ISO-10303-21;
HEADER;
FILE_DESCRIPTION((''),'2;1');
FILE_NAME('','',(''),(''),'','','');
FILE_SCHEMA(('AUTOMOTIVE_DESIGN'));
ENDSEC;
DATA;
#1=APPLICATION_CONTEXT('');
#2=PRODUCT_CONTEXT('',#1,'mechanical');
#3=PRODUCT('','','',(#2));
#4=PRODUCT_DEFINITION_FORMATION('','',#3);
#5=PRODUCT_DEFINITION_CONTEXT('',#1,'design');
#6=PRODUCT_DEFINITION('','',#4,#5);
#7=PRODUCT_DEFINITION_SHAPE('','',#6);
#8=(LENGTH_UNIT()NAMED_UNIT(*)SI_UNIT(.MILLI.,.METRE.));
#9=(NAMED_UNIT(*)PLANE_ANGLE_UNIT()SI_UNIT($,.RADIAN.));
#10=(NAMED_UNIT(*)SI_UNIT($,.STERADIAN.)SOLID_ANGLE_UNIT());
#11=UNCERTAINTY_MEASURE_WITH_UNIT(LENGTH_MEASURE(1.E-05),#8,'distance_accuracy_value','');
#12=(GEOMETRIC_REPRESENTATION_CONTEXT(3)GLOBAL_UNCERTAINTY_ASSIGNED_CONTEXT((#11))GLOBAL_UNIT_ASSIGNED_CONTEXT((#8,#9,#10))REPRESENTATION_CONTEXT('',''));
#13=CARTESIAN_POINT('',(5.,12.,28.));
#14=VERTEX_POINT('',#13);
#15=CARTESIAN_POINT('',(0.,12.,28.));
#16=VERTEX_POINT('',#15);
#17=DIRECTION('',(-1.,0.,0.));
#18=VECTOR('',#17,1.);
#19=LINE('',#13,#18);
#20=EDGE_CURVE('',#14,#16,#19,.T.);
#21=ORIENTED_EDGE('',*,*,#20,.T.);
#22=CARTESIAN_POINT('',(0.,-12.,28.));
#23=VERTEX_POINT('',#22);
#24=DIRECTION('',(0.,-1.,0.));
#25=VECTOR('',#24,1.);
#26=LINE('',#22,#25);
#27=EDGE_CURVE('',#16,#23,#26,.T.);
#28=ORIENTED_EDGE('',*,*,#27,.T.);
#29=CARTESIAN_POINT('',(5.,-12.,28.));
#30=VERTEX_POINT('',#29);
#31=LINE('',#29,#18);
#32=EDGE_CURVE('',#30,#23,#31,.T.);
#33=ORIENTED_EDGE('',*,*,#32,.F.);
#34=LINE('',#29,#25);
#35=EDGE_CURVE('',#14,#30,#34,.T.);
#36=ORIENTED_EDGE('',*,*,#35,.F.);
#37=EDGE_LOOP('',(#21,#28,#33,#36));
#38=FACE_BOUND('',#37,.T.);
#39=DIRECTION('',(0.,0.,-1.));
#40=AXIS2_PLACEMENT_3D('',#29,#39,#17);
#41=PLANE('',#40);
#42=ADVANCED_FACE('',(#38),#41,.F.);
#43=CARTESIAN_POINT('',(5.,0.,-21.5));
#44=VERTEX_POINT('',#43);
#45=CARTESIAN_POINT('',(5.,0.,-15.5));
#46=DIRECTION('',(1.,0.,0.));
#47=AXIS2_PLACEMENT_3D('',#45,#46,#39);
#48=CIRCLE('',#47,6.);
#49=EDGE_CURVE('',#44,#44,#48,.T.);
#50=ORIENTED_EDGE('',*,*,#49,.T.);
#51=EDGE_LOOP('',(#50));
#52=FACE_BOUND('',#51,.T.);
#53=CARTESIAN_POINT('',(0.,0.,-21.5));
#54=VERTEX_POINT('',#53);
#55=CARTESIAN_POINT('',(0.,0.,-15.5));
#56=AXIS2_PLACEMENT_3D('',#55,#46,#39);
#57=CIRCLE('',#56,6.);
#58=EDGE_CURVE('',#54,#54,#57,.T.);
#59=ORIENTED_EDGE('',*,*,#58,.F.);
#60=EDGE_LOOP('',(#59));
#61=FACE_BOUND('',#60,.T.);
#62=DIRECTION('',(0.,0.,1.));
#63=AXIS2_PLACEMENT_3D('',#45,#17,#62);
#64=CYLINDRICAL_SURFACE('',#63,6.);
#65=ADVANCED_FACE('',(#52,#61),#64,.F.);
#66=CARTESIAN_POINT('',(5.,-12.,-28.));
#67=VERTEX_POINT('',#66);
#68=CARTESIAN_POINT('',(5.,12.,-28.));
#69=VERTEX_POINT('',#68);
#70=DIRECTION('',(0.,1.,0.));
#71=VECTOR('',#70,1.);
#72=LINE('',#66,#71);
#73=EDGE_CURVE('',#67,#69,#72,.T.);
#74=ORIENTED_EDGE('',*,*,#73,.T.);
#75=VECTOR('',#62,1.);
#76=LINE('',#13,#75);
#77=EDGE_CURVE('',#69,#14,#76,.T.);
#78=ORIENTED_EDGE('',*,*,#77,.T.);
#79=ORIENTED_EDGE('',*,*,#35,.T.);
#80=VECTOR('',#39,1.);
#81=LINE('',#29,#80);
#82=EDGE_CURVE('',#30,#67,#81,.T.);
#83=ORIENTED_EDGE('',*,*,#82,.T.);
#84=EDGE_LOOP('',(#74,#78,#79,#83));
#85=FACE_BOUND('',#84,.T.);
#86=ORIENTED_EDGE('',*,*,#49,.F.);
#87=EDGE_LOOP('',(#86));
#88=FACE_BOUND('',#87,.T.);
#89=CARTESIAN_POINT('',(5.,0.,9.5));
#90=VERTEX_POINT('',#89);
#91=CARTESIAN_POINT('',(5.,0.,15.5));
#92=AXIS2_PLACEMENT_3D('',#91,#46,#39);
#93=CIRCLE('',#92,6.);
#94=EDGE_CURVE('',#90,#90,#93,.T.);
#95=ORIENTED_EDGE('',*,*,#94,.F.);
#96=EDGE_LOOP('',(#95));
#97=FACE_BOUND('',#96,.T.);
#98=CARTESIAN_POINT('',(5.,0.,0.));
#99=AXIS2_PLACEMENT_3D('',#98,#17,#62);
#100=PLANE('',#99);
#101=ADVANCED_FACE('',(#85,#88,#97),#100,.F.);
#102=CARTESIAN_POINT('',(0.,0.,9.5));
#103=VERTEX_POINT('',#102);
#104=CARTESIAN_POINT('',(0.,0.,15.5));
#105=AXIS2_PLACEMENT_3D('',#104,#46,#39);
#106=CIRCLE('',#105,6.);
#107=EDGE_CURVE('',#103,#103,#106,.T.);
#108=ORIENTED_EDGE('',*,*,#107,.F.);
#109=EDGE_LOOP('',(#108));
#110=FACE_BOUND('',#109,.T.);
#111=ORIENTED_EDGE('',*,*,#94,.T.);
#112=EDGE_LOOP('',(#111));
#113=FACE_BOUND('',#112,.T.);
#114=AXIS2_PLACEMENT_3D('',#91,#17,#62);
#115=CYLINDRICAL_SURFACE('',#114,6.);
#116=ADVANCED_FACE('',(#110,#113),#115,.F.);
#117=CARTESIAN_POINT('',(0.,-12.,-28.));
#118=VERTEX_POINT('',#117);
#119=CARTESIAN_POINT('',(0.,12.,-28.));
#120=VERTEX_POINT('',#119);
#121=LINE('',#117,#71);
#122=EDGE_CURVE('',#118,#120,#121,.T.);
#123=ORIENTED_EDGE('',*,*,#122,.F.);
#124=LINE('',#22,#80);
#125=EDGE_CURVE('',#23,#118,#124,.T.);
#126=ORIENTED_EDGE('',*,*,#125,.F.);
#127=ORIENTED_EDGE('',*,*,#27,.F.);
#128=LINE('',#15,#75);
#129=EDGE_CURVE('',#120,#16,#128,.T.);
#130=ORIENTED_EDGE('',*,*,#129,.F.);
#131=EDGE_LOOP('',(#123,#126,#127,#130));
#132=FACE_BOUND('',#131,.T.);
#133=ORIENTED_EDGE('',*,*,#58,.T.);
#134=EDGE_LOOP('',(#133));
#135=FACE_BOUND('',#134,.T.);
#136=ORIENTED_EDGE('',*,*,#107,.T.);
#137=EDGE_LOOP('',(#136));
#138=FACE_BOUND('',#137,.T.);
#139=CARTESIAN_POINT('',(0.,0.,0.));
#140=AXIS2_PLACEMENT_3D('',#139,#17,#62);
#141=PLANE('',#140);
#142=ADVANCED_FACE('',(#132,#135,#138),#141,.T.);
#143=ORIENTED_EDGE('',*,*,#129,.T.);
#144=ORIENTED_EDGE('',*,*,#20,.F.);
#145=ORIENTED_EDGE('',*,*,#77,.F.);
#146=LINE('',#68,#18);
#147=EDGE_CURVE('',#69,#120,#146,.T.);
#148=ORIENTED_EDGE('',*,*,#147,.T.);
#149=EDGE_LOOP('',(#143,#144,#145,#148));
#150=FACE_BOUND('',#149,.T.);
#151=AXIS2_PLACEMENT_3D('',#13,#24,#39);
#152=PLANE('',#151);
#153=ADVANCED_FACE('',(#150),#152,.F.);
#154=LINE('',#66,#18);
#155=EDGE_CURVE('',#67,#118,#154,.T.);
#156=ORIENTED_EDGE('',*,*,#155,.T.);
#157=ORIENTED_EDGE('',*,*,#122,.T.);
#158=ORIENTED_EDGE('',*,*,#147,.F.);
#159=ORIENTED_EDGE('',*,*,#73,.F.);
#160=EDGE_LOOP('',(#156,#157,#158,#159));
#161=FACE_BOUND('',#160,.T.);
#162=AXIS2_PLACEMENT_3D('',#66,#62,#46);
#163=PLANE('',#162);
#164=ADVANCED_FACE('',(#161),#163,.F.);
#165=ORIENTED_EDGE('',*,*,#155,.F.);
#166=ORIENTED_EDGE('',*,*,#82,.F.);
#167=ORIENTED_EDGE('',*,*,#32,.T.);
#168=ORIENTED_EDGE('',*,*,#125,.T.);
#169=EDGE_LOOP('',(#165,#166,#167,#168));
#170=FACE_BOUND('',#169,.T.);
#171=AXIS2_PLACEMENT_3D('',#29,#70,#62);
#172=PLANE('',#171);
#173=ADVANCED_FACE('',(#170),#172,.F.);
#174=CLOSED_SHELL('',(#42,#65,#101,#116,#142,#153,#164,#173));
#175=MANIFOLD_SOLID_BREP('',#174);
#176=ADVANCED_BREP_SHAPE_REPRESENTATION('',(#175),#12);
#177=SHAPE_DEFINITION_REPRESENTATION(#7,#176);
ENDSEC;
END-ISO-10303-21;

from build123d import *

# Parameters (mm, degrees)
SKETCH1_W           = 56
SKETCH1_H           = 24
SKETCH1_R           = 6
BOSS_EXTRUDE1_DEPTH = 5


with BuildPart() as part:
    # Sketch1 → Boss-Extrude1 (new body)
    with BuildSketch(Plane(origin=(0, 0, 0), x_dir=(0, 0, -1), z_dir=(1, 0, 0))):
        Rectangle(SKETCH1_W, SKETCH1_H)
        with Locations((-15.5, 0)):
            Circle(SKETCH1_R, mode=Mode.SUBTRACT)
        with Locations((15.5, 0)):
            Circle(SKETCH1_R, mode=Mode.SUBTRACT)
    extrude(amount=BOSS_EXTRUDE1_DEPTH)


solid = part.part
